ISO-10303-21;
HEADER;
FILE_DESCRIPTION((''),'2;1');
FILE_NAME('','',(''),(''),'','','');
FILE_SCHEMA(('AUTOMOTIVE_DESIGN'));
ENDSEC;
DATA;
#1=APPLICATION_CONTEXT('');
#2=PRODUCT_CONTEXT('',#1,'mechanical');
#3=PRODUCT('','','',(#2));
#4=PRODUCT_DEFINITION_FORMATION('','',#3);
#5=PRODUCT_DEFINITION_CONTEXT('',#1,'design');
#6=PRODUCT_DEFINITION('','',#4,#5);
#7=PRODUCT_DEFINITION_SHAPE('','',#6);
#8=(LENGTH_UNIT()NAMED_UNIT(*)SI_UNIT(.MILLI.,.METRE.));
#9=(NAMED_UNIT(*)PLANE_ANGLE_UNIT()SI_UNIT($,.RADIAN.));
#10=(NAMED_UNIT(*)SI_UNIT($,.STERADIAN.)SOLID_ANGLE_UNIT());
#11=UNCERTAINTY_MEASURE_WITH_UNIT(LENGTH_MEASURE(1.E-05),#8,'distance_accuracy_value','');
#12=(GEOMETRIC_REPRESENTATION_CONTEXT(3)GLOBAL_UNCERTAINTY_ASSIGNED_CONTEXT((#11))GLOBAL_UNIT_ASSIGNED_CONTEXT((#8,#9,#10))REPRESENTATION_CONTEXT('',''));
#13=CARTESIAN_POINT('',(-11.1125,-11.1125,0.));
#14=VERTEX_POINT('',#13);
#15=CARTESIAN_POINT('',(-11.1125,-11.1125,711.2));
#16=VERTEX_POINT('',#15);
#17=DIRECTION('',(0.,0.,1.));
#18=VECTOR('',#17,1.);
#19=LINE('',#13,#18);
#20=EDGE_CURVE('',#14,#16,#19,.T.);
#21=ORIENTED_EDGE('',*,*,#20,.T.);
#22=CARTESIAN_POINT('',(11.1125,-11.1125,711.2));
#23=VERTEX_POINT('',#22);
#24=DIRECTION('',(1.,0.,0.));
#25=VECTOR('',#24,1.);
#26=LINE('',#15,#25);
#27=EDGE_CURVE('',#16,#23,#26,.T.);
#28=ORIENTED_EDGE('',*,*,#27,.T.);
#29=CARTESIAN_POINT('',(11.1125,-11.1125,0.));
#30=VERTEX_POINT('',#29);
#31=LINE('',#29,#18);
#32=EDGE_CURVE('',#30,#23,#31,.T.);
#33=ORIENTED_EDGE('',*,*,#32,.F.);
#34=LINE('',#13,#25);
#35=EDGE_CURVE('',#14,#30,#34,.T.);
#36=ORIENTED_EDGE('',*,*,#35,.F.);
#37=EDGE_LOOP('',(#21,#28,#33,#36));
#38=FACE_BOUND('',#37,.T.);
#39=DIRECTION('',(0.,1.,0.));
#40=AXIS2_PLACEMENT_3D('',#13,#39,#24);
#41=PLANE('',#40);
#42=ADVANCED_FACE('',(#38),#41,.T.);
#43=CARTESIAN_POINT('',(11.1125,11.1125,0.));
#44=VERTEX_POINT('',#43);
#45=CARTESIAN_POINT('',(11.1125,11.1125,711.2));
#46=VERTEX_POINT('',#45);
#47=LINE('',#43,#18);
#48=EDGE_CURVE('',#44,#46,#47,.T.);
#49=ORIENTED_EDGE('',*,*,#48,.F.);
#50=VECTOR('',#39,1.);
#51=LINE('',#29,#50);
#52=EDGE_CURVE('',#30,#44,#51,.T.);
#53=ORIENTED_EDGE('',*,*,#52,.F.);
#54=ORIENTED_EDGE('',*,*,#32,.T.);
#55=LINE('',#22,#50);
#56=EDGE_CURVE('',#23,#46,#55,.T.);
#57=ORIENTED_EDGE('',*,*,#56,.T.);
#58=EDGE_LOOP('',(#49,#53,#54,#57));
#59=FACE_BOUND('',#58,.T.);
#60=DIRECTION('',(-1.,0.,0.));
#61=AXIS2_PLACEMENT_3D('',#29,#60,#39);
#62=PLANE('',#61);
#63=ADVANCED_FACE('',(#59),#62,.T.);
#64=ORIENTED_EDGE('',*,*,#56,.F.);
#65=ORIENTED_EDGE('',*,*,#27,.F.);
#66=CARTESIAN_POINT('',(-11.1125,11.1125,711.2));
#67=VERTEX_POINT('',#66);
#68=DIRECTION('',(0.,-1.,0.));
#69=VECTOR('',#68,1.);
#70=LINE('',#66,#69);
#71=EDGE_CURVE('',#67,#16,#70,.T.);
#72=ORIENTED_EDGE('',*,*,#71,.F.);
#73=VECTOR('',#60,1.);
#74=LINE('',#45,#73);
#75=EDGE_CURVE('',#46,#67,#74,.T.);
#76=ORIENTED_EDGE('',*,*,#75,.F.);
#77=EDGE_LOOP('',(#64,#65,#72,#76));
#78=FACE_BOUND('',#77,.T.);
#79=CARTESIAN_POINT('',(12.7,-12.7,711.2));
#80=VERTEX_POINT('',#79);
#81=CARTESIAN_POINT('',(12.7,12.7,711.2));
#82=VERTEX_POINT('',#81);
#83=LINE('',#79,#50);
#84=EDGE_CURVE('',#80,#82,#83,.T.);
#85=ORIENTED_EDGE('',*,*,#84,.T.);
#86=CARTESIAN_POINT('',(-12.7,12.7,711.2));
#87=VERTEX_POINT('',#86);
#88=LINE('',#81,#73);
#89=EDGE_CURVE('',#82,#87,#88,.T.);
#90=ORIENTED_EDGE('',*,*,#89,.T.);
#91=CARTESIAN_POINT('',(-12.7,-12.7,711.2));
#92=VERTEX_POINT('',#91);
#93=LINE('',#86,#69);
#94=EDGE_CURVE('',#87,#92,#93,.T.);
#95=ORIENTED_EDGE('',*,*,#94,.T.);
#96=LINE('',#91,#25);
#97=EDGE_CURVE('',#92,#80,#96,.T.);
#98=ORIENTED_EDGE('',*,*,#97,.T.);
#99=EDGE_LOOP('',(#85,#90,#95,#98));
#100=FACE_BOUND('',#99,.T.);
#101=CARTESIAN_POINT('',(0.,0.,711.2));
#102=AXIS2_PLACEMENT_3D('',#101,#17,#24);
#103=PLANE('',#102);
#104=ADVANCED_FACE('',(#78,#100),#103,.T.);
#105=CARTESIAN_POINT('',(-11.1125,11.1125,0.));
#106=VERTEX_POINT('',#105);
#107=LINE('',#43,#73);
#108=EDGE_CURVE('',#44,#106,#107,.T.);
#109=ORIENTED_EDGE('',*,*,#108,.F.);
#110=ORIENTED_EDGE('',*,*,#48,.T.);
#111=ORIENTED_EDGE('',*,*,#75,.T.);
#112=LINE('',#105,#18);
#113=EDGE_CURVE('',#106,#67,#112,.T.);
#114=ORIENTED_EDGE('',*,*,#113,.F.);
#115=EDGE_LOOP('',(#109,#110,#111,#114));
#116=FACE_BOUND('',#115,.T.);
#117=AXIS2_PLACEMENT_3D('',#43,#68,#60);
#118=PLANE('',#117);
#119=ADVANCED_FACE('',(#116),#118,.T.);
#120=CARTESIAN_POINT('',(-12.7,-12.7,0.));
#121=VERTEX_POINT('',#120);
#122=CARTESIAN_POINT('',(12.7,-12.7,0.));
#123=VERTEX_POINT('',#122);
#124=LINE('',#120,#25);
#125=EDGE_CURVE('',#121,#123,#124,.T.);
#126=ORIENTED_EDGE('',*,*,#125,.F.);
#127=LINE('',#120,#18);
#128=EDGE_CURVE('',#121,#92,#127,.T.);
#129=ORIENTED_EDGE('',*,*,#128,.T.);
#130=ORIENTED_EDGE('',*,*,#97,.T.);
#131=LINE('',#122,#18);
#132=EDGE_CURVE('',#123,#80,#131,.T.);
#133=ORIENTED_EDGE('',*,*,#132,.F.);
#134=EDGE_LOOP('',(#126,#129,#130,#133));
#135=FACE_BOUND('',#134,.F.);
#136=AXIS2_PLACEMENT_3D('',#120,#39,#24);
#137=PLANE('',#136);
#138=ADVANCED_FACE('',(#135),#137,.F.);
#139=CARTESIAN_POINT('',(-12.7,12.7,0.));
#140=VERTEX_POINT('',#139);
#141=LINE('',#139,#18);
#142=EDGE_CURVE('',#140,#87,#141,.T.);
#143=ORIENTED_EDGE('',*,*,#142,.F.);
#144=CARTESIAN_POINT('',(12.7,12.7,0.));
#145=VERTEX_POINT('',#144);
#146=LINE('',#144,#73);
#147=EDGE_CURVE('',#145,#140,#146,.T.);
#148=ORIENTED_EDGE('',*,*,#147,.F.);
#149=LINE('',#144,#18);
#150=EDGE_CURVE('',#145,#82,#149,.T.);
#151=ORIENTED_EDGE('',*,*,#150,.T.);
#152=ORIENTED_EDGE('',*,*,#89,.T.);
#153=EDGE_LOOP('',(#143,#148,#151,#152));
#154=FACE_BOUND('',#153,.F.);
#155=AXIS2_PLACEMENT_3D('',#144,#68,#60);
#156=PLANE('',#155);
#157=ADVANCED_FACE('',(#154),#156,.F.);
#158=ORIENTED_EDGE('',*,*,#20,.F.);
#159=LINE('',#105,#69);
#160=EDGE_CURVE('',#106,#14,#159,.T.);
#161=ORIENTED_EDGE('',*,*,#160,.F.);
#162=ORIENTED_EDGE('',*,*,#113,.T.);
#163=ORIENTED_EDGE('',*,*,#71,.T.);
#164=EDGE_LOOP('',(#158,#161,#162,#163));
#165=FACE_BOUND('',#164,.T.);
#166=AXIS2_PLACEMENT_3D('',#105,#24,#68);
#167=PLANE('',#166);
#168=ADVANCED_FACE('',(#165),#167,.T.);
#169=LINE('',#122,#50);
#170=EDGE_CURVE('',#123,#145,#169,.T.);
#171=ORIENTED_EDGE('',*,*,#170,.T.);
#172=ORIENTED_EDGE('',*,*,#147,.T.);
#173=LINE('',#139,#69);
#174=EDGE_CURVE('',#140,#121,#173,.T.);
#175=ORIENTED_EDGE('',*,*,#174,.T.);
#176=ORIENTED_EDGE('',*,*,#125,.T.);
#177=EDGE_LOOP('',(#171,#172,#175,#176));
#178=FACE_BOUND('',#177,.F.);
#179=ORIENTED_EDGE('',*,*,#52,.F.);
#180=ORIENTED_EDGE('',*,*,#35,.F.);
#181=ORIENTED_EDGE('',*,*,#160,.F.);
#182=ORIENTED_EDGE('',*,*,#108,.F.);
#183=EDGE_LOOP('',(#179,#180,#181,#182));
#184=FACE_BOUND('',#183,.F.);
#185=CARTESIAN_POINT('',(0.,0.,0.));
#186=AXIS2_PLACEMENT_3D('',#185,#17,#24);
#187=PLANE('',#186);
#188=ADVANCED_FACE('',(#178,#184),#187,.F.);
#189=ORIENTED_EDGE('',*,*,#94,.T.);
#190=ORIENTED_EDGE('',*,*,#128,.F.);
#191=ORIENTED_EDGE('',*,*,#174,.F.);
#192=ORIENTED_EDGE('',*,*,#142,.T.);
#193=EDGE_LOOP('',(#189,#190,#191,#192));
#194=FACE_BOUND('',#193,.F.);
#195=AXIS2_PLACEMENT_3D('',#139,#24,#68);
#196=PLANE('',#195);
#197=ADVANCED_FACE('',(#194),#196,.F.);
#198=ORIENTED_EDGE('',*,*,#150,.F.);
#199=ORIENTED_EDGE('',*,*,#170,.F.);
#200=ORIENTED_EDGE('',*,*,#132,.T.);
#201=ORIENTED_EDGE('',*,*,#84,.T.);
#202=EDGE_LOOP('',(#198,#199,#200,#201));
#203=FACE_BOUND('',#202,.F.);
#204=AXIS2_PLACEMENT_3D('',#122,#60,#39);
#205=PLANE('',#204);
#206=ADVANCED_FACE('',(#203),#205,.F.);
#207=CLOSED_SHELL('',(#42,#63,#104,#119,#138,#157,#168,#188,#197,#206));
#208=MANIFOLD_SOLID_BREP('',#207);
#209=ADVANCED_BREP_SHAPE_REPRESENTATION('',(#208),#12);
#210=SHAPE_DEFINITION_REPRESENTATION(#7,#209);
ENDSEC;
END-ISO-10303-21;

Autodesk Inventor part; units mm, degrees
ref_plane "YZ Plane" through (0, 0, 0) normal (1, 0, 0) x (0, 1, 0)
ref_plane "XZ Plane" through (0, 0, 0) normal (0, 1, 0) x (-1, 0, 0)
ref_plane "XY Plane" through (0, 0, 0) normal (0, 0, 1) x (1, 0, 0)
sketch "Sketch1" plane through (0, 0, 0) normal (0, 0, 1) x (1, 0, 0)
  line L0 (-12.7, -12.7) -> (12.7, -12.7)
  line L1 (12.7, -12.7) -> (12.7, 12.7)
  line L2 (12.7, 12.7) -> (-12.7, 12.7)
  line L3 (-12.7, 12.7) -> (-12.7, -12.7)
  line L4 (-11.1125, -11.1125) -> (11.1125, -11.1125)
  line L5 (11.1125, -11.1125) -> (11.1125, 11.1125)
  line L6 (11.1125, 11.1125) -> (-11.1125, 11.1125)
  line L7 (-11.1125, 11.1125) -> (-11.1125, -11.1125)
  point P0 (0, 0)
  dimension "d0" = 25.4
  dimension "d1" = 25.4
  dimension "d2" = 22.225
  dimension "d3" = 22.225
extrude "Extrusion1" add sketch "Sketch1" along normal blind 711.2
equation "\"BendRadius\" = Thickness"
equation "\"BendReliefWidth\" = Thickness"
equation "\"BendReliefDepth\" = 0.5 * Thickness"
equation "\"CornerReliefSize\" = 4 * Thickness"
equation "\"MinimumRemnant\" = 2 * Thickness"
equation "\"TransitionRadius\" = BendRadius"
equation "\"JacobiRadiusSize\" = BendRadius"
equation "\"GapSize\" = Thickness"
equation "\"Thickness\" = 3.048"
properties part number "28 in 1-16"
